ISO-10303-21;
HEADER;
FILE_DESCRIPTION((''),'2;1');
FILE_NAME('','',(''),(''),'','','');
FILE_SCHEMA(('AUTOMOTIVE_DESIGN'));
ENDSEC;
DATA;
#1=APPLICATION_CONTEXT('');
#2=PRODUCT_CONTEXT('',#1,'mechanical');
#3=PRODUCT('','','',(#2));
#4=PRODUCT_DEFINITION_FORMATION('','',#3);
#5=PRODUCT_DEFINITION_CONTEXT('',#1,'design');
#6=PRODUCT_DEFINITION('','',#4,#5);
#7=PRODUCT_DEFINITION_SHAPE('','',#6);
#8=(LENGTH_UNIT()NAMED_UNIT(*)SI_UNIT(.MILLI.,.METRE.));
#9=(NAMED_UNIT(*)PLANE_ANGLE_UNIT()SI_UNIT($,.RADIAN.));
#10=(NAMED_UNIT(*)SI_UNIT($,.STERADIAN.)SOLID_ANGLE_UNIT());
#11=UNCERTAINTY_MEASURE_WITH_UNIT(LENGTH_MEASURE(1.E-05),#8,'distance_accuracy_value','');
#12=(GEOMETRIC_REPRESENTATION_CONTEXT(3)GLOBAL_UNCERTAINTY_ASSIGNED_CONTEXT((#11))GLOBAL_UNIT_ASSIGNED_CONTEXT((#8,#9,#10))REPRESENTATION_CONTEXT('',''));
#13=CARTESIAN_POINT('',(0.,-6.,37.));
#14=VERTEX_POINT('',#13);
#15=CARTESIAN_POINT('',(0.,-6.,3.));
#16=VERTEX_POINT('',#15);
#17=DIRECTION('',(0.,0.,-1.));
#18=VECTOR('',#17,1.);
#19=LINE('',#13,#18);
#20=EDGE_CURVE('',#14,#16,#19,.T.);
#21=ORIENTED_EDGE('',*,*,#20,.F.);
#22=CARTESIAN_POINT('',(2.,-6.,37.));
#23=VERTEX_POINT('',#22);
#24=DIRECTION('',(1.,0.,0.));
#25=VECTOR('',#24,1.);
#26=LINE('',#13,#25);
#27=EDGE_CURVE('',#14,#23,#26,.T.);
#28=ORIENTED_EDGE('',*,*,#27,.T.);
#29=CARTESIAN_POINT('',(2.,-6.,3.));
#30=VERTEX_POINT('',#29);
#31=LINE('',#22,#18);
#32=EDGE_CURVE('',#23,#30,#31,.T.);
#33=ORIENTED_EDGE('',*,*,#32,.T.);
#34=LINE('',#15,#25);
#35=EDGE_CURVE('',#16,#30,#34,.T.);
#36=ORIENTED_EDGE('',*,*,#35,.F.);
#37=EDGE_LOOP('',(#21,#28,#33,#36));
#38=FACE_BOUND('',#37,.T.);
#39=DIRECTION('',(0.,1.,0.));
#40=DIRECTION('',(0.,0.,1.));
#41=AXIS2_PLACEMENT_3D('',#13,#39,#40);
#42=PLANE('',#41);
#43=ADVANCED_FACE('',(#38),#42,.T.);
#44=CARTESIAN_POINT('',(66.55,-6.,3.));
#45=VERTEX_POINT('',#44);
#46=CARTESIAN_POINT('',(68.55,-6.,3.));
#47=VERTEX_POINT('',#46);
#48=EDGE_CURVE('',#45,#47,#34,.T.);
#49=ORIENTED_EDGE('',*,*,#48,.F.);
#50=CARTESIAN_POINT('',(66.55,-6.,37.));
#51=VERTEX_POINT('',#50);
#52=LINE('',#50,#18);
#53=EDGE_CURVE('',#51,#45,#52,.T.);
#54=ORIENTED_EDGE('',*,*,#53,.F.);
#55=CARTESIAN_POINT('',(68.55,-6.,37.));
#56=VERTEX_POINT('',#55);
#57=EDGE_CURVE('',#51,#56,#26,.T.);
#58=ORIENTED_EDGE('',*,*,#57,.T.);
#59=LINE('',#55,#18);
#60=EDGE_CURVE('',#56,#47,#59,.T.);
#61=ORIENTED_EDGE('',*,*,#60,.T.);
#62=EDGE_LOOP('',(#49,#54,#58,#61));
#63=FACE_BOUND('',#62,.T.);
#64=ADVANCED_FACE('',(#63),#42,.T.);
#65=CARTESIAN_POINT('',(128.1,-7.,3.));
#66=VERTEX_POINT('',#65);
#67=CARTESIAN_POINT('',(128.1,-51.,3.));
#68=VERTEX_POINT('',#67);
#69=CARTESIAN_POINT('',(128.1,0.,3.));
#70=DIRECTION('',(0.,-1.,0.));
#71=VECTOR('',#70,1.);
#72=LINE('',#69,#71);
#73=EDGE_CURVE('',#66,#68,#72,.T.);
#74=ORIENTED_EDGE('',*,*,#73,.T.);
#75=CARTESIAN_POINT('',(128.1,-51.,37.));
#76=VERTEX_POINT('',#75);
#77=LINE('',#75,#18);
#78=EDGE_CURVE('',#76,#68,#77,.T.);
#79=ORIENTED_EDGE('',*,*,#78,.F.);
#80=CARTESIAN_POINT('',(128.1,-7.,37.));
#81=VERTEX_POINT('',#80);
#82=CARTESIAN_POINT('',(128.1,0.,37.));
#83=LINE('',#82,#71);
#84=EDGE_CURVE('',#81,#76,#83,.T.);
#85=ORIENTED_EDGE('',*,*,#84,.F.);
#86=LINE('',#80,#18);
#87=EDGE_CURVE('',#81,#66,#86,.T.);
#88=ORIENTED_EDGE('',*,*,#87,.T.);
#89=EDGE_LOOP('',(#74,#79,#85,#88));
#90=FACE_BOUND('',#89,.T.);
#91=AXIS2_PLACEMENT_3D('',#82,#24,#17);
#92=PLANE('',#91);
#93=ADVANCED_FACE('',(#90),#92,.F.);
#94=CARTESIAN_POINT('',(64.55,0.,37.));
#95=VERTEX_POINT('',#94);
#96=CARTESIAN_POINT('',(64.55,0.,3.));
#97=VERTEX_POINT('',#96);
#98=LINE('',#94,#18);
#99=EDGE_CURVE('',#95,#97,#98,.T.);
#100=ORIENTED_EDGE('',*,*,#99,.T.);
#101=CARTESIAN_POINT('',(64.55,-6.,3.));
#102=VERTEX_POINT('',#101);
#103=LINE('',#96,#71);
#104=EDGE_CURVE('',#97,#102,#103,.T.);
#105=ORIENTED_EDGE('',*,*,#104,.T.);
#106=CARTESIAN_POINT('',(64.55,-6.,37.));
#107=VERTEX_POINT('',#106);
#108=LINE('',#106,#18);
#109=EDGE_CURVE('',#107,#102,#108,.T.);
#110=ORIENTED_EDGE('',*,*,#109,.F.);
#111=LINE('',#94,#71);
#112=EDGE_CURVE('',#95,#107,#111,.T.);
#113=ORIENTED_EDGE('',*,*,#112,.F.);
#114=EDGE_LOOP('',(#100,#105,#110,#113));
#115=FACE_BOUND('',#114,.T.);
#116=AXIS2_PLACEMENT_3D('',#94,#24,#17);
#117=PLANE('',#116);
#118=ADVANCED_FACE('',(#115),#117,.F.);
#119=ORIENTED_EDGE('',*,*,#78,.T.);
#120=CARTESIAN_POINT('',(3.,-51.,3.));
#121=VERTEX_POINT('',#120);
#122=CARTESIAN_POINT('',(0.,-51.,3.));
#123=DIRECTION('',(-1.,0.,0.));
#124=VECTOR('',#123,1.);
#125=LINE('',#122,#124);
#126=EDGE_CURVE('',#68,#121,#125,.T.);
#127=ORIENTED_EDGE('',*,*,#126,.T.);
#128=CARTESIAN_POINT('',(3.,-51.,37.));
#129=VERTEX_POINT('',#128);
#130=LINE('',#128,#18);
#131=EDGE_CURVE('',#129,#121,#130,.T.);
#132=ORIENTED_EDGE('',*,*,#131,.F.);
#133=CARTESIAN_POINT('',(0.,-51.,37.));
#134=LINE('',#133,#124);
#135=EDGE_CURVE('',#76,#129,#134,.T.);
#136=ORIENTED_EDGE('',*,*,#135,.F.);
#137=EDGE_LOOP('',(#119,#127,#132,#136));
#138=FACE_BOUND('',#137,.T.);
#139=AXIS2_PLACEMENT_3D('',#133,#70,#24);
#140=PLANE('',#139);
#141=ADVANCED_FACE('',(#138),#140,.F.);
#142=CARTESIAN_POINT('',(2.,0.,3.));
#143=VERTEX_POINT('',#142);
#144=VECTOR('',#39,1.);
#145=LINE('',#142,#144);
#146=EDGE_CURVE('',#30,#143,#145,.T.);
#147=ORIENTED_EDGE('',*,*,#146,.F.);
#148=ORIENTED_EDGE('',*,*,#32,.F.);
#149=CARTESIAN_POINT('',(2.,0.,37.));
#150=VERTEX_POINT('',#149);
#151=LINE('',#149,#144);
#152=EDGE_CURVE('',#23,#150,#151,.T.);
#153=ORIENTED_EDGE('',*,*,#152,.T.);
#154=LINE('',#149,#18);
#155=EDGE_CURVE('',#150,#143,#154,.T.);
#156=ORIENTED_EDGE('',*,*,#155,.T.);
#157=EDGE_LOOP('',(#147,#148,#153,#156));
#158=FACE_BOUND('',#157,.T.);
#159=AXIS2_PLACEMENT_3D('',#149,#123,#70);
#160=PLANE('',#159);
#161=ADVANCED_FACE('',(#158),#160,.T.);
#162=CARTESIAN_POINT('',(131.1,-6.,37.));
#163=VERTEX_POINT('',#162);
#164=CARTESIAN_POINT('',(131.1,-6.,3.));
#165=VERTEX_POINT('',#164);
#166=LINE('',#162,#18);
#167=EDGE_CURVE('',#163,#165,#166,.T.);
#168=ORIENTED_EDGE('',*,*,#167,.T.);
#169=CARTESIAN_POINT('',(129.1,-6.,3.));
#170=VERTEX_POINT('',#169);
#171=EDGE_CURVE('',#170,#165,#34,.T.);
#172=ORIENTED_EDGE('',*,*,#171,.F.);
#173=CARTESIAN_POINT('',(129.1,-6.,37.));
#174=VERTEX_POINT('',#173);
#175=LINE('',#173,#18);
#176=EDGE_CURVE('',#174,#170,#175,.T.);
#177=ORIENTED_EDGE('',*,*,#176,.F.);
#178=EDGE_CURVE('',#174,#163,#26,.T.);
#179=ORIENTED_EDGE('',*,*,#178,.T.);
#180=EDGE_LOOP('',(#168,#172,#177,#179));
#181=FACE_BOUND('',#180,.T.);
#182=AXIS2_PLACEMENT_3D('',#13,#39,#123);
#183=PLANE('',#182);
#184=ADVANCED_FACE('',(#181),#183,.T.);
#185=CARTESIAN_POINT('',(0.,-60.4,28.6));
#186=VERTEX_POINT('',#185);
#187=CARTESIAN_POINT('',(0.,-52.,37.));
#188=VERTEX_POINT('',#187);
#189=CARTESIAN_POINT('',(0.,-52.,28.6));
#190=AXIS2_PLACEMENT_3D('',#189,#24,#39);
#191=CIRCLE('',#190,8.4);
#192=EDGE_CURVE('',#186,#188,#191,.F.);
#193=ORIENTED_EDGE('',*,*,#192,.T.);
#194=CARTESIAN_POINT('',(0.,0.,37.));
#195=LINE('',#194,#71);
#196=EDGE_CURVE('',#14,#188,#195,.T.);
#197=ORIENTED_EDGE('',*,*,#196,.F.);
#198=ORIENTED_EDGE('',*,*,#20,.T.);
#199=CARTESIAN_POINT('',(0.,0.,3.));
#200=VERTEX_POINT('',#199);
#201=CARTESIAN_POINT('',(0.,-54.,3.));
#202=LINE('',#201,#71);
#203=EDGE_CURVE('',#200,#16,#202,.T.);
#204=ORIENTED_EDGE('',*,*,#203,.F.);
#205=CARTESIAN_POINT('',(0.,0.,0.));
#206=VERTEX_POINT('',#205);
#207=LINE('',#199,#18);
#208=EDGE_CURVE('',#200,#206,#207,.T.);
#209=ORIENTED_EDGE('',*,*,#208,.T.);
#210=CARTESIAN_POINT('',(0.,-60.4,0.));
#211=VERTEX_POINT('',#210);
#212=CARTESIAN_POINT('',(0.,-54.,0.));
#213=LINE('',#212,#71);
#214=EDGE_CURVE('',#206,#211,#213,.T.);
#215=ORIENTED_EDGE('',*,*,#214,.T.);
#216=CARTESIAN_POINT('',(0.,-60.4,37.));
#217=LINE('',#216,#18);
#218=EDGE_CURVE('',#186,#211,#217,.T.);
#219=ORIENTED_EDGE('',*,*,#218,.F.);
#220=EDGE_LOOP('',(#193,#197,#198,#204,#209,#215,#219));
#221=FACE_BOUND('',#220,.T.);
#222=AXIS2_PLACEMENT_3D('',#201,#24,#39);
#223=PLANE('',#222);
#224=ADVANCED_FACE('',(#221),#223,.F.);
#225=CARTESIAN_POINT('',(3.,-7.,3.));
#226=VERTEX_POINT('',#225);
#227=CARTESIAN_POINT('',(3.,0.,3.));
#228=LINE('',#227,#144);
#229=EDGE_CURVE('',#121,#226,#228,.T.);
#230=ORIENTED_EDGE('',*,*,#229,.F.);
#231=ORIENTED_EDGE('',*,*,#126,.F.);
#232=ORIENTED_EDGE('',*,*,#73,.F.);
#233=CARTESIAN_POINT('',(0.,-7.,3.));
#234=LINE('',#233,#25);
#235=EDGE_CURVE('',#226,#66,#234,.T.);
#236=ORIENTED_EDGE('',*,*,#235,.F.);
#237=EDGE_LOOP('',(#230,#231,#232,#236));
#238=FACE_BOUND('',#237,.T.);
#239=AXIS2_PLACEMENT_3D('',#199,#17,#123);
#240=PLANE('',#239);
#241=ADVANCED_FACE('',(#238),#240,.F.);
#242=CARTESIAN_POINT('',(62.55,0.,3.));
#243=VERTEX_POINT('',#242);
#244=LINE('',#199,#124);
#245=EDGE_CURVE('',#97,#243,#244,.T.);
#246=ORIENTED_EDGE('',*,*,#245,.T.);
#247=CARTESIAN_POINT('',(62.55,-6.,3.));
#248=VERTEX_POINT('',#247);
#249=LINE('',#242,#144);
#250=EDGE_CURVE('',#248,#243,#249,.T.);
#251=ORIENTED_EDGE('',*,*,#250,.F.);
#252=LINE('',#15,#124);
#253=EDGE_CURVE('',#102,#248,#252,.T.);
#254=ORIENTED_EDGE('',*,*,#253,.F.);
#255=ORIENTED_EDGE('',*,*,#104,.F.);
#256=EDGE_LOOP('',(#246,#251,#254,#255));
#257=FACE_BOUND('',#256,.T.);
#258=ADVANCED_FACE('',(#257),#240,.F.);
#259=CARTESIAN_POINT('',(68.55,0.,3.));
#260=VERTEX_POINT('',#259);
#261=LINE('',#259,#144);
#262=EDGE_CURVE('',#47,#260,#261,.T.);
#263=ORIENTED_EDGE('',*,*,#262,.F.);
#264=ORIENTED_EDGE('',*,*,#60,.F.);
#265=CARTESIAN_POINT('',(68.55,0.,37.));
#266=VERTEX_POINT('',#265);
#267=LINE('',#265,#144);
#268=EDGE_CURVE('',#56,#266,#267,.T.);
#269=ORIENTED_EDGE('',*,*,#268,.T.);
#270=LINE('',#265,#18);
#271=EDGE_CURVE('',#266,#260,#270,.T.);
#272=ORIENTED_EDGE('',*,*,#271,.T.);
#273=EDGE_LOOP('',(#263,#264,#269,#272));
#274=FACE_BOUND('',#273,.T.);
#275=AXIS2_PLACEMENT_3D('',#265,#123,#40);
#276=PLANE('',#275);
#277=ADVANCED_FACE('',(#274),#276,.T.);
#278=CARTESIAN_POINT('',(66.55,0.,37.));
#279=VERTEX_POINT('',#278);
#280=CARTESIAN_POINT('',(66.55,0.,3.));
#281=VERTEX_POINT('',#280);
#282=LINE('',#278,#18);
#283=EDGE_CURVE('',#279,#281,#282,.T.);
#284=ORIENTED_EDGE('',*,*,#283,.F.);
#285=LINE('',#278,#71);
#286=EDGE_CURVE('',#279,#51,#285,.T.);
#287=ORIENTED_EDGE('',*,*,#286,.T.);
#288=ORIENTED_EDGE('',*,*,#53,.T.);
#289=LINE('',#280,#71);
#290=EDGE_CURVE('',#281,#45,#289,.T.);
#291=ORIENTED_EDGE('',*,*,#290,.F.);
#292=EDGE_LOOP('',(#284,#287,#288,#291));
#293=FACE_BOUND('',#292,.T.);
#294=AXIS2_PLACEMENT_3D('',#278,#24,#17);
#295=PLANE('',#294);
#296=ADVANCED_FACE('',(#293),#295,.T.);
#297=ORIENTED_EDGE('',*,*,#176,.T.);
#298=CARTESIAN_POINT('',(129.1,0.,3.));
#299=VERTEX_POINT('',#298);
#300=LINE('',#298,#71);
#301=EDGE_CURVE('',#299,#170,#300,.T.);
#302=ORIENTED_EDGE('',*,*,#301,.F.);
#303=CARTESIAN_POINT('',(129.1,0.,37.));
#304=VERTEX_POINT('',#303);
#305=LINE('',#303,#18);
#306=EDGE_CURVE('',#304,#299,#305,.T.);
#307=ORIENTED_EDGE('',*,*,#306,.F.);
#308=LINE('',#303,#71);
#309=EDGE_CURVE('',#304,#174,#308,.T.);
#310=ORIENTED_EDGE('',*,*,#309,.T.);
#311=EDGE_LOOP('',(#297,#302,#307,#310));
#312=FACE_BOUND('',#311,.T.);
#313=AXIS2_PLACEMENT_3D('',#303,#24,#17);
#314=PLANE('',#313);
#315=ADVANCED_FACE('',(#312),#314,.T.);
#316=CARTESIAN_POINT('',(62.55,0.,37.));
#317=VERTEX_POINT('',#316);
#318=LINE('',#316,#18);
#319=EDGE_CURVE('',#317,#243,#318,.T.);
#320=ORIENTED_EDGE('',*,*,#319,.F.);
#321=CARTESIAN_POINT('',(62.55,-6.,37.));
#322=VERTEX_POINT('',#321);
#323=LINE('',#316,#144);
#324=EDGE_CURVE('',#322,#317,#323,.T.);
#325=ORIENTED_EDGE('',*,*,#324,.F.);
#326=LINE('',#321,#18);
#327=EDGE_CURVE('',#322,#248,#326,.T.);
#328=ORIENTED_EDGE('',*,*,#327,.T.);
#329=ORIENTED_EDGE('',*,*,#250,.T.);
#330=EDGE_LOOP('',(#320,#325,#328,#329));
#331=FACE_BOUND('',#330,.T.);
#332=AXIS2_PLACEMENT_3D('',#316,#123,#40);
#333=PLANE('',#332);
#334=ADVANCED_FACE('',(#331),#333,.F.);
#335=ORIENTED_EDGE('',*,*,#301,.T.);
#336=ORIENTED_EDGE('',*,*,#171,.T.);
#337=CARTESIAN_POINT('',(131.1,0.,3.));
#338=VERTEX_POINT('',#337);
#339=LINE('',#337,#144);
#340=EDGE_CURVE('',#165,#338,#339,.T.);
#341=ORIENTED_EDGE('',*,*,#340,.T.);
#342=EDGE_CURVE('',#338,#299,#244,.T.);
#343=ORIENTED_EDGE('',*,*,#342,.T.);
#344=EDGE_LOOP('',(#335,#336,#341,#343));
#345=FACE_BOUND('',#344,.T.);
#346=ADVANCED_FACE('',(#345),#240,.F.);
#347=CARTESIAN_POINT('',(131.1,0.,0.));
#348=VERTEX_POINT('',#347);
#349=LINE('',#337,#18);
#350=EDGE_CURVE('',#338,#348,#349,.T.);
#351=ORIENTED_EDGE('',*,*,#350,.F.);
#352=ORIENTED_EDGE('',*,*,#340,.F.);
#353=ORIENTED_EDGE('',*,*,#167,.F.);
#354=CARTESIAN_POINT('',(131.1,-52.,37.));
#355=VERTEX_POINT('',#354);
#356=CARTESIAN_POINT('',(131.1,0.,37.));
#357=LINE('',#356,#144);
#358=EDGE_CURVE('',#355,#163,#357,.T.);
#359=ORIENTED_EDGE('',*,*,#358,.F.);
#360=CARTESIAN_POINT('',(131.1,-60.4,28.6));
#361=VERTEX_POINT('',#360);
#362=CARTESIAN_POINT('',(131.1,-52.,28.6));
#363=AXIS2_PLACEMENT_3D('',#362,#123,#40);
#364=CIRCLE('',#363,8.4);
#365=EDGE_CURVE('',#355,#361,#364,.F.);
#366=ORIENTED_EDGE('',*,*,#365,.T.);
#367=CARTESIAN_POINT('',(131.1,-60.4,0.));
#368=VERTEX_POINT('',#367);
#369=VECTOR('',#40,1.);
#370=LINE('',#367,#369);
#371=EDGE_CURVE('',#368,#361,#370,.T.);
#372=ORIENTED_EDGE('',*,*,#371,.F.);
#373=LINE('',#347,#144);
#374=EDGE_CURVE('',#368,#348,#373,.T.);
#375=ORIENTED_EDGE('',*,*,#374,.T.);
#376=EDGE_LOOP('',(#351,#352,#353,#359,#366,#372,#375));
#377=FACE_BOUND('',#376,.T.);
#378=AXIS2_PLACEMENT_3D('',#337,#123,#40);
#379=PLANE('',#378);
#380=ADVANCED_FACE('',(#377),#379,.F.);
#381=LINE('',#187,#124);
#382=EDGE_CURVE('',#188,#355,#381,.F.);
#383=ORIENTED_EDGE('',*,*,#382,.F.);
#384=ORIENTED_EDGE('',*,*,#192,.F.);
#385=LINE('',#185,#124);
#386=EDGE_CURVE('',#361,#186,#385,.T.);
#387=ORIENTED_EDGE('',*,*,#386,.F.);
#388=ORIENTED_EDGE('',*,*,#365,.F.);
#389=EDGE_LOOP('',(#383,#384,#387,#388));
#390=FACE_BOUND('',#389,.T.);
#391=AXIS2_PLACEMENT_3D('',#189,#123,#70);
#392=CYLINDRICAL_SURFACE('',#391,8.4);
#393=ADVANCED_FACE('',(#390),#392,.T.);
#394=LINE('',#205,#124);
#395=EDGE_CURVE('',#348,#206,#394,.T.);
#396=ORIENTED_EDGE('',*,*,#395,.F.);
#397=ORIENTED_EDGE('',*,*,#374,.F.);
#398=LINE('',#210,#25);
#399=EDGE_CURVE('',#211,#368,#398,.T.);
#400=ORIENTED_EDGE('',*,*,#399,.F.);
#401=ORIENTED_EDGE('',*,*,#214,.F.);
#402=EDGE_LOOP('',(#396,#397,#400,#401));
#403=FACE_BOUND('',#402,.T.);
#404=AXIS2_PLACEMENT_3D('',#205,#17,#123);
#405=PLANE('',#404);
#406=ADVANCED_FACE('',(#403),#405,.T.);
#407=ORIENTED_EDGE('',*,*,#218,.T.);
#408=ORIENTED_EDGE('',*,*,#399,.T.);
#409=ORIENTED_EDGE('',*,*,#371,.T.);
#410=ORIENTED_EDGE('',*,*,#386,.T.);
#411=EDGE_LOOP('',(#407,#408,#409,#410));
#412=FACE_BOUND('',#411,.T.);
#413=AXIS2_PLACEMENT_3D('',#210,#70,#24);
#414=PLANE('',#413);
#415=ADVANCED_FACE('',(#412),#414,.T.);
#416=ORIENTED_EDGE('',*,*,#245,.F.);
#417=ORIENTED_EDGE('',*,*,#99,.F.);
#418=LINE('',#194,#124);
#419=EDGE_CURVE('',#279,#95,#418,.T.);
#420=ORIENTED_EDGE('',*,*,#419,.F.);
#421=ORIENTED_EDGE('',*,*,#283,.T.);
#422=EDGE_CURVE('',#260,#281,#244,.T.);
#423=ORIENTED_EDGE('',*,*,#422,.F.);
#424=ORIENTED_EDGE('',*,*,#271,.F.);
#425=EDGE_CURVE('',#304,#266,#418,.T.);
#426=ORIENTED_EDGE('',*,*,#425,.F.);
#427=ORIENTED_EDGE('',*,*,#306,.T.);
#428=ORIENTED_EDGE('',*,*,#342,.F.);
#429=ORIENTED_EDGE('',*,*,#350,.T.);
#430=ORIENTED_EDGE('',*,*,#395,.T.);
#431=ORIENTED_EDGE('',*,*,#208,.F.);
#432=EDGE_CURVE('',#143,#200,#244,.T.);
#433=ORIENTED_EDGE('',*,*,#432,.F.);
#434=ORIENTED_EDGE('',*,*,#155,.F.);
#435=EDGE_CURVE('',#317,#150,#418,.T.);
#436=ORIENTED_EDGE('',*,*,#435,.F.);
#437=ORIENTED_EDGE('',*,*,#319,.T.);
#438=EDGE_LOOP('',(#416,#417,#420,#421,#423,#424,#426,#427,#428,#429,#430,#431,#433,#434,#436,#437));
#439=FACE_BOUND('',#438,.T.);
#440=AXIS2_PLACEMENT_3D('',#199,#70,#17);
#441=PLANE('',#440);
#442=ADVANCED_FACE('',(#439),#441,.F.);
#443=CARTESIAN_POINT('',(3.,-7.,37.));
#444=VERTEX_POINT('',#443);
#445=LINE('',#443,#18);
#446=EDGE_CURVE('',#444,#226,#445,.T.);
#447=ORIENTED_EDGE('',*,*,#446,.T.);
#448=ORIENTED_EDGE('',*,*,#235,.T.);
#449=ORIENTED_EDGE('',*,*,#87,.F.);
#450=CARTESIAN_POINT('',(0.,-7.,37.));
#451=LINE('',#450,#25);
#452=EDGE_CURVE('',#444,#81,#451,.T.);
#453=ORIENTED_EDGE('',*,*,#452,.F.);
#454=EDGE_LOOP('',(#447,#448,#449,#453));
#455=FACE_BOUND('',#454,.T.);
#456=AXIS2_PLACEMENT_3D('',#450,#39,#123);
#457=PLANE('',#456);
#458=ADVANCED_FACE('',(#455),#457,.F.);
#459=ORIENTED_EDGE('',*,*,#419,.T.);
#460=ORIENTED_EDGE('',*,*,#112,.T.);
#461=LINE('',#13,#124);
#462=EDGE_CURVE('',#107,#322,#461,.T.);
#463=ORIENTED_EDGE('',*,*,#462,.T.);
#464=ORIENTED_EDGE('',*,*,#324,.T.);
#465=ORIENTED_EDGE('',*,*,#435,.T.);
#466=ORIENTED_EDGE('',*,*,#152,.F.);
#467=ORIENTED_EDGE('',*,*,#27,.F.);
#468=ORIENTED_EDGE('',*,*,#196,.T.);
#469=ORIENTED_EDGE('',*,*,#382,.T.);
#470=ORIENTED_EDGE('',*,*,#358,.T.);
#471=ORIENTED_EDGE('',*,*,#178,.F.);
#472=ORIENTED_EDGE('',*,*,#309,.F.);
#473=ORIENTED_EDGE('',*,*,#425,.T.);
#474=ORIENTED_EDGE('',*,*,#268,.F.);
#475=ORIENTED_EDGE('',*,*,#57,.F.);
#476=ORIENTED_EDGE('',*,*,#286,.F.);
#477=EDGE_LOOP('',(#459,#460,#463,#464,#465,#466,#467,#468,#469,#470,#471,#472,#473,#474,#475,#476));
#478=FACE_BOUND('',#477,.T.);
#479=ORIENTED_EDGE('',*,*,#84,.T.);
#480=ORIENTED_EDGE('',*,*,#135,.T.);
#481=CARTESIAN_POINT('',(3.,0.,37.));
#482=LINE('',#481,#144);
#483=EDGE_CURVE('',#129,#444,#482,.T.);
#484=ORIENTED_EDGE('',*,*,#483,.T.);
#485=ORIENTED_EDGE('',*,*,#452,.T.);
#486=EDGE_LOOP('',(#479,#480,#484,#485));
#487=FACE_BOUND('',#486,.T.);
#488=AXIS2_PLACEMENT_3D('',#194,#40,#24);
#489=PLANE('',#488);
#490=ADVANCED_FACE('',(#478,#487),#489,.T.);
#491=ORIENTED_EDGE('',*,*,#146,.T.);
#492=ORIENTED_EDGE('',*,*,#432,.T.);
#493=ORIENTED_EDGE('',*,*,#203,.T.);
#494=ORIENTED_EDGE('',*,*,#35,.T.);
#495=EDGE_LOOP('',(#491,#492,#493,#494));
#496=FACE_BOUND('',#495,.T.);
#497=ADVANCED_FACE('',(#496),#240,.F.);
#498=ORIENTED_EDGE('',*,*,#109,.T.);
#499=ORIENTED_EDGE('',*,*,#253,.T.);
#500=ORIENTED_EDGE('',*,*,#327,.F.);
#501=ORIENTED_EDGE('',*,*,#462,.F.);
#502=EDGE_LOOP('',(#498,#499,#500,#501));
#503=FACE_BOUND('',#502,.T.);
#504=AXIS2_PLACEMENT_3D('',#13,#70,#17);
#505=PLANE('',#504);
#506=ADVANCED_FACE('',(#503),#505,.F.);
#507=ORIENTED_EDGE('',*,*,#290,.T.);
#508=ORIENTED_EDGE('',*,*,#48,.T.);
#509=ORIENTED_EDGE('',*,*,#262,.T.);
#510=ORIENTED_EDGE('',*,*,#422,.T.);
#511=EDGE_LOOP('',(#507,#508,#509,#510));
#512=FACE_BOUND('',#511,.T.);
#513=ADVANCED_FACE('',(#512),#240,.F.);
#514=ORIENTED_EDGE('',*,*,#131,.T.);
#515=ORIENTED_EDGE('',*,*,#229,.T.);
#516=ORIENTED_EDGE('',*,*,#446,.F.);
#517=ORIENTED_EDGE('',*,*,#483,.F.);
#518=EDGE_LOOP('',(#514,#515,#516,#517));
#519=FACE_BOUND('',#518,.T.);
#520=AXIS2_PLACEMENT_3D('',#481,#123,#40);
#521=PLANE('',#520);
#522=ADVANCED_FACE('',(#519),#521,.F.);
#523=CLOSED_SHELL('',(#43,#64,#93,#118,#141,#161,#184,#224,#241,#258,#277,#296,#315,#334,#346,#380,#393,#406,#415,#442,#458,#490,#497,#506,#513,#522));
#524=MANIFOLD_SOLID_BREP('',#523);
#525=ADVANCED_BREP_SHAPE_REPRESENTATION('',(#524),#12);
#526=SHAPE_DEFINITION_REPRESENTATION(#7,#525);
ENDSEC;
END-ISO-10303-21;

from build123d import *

# Parameters (mm, degrees)
CROQUIS2_W              = 131.1
CROQUIS2_H              = 54
SALIENTE_EXTRUIR2_DEPTH = 3
CROQUIS3_W              = 125.1
CROQUIS3_H              = 44
SALIENTE_EXTRUIR3_DEPTH = 34
CROQUIS4_W              = 131.1
CROQUIS4_H              = 37
SALIENTE_EXTRUIR4_DEPTH = 6.4
REDONDEO2_R             = 8.4


with BuildPart() as part:
    # Croquis2 → Saliente-Extruir2 (new body)
    with BuildSketch(Plane.XY):
        with Locations((65.55, -27)):
            Rectangle(CROQUIS2_W, CROQUIS2_H)
    extrude(amount=SALIENTE_EXTRUIR2_DEPTH)

    # Croquis3 → Saliente-Extruir3 (add)
    with BuildSketch(Plane.XY.offset(3)):
        Polygon((2, -6), (0, -6), (0, -54), (131.1, -54), (131.1, -6), (129.1, -6), (129.1, 0), (68.55, 0), (68.55, -6), (66.55, -6), (66.55, 0), (65.55, 0), (64.55, 0), (64.55, -6), (62.55, -6), (62.55, 0), (2, 0), align=None)
        with Locations((65.55, -29)):
            Rectangle(CROQUIS3_W, CROQUIS3_H, mode=Mode.SUBTRACT)
    extrude(amount=SALIENTE_EXTRUIR3_DEPTH)

    # Croquis4 → Saliente-Extruir4 (add)
    with BuildSketch(Plane.XZ.offset(54)):
        with Locations((65.55, 18.5)):
            Rectangle(CROQUIS4_W, CROQUIS4_H)
    extrude(amount=SALIENTE_EXTRUIR4_DEPTH)

    # Redondeo2
    redondeo2_edges = [part.edges().sort_by_distance(p)[0] for p in [
        (65.55, -60.4, 37),
    ]]
    fillet(redondeo2_edges, radius=REDONDEO2_R)


solid = part.part
